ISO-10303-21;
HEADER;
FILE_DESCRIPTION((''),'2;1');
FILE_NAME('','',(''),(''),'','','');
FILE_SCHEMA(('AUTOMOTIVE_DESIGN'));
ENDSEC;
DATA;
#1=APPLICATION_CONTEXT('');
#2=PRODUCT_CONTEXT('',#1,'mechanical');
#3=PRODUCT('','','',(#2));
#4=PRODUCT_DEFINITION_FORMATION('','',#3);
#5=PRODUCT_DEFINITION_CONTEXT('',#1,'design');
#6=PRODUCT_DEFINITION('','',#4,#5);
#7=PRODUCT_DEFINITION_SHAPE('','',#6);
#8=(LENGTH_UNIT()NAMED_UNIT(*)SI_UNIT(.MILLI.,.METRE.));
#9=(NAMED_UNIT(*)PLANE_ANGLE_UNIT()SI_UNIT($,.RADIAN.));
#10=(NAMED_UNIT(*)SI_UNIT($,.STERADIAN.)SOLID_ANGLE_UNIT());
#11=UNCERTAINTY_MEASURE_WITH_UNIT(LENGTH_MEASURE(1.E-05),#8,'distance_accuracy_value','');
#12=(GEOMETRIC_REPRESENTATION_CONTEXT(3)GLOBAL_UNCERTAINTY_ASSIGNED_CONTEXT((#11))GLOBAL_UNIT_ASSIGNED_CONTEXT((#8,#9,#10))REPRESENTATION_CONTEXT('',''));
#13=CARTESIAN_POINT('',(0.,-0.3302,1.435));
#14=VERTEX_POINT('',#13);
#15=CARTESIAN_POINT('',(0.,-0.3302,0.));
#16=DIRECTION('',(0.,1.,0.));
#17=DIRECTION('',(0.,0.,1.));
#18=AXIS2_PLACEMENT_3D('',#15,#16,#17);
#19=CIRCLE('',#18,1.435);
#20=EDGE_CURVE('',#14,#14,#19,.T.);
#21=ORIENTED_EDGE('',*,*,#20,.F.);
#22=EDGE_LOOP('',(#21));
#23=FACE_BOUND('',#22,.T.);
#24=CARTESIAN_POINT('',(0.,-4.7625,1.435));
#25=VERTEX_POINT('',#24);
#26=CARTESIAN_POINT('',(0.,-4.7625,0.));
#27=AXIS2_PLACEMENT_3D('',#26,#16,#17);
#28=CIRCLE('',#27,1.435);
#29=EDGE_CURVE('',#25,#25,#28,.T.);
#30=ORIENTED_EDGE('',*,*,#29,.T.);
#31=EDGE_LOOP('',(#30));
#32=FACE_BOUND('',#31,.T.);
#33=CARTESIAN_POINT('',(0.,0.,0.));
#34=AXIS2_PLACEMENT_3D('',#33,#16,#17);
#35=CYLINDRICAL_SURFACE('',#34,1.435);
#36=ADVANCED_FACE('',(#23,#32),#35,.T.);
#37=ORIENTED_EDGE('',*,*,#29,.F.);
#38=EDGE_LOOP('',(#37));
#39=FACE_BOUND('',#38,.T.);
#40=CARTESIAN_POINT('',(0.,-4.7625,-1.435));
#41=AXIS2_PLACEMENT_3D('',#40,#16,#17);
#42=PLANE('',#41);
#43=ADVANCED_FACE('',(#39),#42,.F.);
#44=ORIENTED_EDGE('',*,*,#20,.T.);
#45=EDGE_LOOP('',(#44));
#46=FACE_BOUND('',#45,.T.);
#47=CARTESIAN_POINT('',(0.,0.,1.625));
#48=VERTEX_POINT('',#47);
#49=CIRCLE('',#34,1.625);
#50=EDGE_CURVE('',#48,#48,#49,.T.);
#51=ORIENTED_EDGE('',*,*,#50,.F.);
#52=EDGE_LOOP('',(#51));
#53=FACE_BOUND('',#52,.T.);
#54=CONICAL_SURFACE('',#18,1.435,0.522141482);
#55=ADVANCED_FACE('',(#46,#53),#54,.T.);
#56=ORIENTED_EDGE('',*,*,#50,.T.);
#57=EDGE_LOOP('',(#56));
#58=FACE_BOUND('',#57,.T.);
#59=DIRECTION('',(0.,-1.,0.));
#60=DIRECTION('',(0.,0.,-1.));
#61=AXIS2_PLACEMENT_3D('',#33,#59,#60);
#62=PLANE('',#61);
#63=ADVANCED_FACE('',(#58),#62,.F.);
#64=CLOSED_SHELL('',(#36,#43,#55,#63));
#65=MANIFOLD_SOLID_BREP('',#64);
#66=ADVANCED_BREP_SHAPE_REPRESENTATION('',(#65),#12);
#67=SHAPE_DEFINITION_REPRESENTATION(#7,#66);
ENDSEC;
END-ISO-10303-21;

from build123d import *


with BuildPart() as part:
    # Sketch1 → Revolve1 (revolve)
    with BuildSketch(Plane(origin=(0, 0, 0), x_dir=(0, 0, -1), z_dir=(1, 0, 0))):
        Polygon((0, 0), (1.625, 0), (1.435, -0.3302), (1.435, -4.7625), (0, -4.7625), align=None)
    revolve(axis=Axis((0, 0, 0), (0, -1, 0)))


solid = part.part
